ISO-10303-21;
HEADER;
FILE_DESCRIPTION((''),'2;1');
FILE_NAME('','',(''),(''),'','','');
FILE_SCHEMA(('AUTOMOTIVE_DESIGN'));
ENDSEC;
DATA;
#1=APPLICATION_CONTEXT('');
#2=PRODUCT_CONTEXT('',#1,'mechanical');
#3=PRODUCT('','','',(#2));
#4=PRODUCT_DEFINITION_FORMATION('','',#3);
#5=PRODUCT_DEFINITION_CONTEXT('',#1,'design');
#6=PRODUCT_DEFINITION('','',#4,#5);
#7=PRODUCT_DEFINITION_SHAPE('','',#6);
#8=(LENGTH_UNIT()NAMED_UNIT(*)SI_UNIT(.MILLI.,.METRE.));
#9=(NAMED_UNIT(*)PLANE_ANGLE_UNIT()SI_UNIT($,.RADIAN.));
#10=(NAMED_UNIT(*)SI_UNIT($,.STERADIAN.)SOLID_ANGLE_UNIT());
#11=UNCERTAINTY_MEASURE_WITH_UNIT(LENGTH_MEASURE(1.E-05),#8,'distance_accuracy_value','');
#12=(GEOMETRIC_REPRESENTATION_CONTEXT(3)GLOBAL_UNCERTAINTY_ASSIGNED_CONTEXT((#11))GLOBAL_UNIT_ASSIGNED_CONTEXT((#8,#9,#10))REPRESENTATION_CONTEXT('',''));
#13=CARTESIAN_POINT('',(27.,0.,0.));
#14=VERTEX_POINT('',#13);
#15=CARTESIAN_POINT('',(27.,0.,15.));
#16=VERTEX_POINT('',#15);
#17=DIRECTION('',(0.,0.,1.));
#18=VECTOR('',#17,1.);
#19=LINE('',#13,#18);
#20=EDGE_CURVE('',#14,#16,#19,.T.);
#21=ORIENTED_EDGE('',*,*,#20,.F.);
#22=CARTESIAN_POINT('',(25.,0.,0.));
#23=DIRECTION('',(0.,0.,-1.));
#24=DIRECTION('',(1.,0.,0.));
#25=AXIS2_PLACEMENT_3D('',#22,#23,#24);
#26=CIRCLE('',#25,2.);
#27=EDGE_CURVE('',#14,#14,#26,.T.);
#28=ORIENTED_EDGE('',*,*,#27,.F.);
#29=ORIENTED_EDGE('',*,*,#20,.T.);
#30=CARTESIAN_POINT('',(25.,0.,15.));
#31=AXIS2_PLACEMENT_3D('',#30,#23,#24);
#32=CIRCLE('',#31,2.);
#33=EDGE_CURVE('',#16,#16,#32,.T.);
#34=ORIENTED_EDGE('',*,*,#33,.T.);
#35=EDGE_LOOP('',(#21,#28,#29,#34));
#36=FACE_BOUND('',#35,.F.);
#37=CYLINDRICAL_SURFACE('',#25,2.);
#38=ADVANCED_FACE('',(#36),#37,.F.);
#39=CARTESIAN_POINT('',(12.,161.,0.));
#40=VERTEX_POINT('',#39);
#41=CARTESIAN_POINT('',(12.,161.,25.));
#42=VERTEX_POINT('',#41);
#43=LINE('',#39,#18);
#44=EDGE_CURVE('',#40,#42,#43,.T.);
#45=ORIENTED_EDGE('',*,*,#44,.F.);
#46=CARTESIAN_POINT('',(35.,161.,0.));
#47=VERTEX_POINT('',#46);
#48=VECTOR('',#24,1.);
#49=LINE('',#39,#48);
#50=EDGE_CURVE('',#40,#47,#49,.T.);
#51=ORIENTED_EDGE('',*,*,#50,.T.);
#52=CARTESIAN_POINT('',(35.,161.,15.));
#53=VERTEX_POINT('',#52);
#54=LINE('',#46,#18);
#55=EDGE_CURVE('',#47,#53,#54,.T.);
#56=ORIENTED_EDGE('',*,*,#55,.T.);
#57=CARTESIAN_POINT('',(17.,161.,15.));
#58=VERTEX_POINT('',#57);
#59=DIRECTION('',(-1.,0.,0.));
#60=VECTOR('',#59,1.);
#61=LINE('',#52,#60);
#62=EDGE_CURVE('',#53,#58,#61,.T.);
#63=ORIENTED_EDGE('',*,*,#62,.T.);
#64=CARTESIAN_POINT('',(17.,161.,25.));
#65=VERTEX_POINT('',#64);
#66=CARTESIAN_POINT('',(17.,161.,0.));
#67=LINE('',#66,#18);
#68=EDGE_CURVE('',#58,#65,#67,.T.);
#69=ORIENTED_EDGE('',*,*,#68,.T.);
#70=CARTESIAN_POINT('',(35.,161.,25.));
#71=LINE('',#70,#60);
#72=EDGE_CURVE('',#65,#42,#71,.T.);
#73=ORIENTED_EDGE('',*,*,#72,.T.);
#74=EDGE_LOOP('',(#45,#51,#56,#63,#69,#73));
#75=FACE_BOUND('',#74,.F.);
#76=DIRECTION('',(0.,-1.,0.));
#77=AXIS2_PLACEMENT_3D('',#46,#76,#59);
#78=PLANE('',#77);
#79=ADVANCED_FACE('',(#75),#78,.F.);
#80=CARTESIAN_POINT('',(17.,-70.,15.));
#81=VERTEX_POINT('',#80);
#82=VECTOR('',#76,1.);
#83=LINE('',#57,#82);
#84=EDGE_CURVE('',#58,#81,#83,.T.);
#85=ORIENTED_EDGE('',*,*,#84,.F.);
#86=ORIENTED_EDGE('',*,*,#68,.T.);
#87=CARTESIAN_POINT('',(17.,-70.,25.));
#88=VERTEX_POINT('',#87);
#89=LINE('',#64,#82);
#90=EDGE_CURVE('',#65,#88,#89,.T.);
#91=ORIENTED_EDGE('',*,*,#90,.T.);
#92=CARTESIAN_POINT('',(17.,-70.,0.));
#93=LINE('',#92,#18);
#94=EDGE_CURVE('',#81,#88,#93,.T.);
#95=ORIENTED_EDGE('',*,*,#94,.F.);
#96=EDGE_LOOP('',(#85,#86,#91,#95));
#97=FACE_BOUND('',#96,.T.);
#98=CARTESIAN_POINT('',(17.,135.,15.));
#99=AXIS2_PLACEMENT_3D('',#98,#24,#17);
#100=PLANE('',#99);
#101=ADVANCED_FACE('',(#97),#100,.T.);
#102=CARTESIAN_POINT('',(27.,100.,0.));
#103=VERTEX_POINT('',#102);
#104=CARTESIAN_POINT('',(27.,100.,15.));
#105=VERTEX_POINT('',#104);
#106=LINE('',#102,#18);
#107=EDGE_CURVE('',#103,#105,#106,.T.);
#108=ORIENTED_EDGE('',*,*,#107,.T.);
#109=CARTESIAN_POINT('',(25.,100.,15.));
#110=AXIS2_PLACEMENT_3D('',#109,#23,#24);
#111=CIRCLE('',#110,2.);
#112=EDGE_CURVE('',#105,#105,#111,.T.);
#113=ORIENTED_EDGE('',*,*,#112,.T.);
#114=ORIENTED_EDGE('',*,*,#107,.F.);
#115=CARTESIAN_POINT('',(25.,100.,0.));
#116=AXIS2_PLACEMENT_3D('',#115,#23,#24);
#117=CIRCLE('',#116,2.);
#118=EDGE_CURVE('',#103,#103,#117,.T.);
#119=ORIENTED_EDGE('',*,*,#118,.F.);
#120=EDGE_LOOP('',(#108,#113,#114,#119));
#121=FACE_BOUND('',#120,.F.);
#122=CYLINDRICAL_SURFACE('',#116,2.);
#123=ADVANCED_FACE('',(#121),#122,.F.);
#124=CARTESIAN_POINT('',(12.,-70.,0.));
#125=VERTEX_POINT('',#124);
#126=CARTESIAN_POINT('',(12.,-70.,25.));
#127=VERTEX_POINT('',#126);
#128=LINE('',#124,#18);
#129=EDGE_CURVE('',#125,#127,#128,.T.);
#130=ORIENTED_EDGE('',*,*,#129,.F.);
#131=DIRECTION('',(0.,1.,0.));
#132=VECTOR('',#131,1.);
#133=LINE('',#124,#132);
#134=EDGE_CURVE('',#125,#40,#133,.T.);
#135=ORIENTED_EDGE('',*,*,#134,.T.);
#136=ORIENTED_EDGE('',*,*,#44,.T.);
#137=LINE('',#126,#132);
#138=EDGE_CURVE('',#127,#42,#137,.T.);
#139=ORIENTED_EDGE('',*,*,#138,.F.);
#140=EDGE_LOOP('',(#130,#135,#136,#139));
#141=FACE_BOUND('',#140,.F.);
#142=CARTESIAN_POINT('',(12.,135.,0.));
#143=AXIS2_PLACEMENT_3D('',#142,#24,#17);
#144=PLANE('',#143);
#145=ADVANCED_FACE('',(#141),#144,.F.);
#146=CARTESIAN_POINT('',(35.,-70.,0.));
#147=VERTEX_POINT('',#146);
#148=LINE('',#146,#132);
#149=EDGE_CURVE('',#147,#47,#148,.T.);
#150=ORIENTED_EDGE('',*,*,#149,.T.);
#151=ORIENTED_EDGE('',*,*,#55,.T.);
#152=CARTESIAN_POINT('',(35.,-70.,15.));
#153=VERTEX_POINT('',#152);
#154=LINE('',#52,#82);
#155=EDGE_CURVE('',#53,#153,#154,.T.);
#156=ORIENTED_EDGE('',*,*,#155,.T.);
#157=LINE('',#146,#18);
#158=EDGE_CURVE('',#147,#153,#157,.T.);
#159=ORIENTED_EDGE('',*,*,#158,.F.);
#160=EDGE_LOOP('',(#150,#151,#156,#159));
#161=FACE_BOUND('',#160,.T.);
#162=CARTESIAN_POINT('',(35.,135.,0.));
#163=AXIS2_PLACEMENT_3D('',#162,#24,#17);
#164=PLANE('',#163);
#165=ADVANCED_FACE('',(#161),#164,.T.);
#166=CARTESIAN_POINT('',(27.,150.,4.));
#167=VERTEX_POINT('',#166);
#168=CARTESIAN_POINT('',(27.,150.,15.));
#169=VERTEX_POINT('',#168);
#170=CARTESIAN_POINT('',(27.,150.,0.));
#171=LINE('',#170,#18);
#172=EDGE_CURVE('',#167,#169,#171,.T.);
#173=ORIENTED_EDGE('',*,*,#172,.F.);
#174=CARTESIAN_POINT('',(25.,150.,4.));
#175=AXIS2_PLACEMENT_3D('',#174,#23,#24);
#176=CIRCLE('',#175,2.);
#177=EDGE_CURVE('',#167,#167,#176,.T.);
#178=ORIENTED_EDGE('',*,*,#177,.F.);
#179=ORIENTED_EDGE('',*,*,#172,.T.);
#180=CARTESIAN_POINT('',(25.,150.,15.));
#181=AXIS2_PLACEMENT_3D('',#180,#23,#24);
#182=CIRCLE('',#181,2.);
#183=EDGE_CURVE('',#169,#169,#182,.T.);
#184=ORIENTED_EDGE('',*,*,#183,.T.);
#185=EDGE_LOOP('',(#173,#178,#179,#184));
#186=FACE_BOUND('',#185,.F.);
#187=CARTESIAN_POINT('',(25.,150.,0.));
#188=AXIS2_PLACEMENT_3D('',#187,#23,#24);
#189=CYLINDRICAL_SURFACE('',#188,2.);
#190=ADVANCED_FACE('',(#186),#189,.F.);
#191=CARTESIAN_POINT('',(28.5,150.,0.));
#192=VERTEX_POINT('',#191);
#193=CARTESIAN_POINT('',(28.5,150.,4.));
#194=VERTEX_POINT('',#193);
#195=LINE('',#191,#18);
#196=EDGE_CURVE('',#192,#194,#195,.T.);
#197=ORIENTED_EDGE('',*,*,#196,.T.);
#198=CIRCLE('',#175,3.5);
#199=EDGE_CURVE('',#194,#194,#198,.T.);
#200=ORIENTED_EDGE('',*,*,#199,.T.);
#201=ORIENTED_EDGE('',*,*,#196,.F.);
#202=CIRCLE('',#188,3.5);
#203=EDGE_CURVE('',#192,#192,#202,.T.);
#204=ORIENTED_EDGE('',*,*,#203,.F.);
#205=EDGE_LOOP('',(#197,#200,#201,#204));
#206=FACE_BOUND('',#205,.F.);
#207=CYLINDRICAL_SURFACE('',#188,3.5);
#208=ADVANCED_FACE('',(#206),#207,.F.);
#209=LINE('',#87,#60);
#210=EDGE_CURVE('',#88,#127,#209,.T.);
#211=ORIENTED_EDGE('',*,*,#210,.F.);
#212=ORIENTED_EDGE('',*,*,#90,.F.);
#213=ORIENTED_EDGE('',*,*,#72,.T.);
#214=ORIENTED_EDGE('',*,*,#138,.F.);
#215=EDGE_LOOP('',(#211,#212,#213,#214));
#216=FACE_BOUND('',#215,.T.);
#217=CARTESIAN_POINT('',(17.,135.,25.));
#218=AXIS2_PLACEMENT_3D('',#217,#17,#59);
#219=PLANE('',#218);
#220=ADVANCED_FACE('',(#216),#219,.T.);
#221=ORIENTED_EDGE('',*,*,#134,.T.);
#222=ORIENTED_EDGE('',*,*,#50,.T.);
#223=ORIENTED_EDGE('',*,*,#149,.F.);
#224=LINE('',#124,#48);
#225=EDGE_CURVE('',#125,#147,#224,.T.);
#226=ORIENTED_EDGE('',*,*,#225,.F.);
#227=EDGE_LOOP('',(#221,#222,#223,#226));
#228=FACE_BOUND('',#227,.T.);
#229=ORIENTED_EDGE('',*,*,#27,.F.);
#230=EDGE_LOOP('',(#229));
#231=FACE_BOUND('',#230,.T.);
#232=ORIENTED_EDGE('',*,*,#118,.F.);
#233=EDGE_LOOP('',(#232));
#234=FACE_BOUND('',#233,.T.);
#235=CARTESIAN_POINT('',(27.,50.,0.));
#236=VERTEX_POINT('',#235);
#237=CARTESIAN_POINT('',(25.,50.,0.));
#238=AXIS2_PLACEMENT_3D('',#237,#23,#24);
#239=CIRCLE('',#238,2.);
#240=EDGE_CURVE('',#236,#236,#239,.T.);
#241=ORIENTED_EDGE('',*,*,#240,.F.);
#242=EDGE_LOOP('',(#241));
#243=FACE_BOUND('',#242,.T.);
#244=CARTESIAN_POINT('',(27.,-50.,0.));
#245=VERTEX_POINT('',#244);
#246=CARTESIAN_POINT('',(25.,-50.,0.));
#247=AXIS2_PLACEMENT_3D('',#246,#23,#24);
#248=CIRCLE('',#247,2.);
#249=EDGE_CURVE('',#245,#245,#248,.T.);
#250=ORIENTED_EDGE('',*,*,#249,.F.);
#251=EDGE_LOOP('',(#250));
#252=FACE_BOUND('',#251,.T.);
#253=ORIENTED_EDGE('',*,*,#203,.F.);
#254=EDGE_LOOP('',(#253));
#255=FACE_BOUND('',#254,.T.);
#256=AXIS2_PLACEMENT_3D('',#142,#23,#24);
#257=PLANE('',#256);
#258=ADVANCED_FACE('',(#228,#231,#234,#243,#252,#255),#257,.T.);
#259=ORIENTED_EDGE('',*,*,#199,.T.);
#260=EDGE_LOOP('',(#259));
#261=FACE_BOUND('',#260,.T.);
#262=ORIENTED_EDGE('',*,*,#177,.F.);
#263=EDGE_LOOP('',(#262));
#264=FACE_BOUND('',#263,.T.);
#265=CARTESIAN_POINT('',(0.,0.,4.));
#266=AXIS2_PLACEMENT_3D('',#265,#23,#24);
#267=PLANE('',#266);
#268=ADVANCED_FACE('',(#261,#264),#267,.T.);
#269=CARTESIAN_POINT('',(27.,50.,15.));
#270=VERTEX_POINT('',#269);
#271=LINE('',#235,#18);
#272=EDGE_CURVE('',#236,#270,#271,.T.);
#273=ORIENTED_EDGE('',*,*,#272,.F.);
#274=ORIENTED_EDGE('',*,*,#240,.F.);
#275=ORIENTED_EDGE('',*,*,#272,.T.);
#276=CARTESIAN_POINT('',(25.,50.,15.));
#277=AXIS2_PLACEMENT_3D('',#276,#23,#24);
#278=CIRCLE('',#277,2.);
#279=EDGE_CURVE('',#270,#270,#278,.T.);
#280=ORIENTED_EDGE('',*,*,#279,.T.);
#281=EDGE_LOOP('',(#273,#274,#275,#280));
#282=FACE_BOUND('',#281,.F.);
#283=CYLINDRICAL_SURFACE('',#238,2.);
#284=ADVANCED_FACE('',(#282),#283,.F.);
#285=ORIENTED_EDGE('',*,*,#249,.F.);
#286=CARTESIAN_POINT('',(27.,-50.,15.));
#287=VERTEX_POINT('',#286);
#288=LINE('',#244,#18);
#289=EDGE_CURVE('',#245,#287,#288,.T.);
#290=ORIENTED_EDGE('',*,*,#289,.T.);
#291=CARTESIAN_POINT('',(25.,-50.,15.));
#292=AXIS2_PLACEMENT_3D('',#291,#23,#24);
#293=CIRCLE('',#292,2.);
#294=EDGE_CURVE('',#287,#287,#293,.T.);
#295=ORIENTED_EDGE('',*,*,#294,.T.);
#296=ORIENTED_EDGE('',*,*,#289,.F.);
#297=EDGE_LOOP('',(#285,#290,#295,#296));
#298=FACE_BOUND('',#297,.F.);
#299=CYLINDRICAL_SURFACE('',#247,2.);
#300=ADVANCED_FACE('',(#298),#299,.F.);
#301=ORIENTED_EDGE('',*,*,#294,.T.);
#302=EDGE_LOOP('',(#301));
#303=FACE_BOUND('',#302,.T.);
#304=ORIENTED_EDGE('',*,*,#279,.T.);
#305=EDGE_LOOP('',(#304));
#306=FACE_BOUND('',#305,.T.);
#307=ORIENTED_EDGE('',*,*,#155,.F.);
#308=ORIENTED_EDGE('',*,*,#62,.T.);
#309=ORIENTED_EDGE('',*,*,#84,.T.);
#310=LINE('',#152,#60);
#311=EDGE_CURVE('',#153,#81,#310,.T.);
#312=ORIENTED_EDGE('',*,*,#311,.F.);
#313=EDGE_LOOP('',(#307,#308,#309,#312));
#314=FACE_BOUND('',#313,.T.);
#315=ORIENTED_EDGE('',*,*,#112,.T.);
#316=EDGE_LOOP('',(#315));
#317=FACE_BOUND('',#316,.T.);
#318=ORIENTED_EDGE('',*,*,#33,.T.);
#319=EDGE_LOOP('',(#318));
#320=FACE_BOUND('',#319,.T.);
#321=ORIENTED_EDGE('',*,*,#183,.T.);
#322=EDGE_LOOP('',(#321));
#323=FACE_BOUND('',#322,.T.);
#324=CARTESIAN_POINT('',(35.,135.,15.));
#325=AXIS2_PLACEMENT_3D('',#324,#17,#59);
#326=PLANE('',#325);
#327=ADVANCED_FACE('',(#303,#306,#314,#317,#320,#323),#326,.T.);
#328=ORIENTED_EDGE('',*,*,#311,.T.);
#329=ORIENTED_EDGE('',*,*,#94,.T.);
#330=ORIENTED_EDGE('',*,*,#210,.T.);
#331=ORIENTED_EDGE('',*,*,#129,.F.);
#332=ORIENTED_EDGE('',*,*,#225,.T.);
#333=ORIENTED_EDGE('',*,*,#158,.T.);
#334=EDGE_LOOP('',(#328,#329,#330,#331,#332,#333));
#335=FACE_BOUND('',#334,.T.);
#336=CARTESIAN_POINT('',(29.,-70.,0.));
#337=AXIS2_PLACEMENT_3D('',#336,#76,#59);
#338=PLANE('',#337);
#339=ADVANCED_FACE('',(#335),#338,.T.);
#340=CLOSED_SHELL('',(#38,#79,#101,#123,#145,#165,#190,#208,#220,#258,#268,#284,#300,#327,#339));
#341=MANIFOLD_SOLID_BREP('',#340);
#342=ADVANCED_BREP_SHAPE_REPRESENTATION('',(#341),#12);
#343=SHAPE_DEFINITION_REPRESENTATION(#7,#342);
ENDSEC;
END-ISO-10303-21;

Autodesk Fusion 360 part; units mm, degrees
sketch "Szkic1" plane through (0, 0, 0) normal (0, 0, 1) x (1, 0, 0)
  line L0 (29, -110) -> (29, -70)
  line L1 (-10, -75) -> (10, -75)
  line L2 (10, -75) -> (10, -98.8)
  line L3 (-45, -110) -> (29, -110)
  circle A0 centre (15, -80) radius 3.5
  circle A1 centre (15, -100) radius 3.5
  line L4 (-10, -98.8) -> (-10, -75)
  line L5 (10, -98.8) -> (-10, -98.8)
  circle A2 centre (-20, -100) radius 3.5
  circle A3 centre (-20, -80) radius 3.5
  line L6 (29, -70) -> (35, -70)
  line L7 (35, -70) -> (35, 160)
  circle A4 centre (25, -50) radius 1.75
  circle A5 centre (25, 0) radius 1.75
  circle A6 centre (25, 50) radius 1.75
  circle A7 centre (25, 100) radius 1.75
  line L8 (35, 160) -> (-45, 160)
  circle A8 centre (25, 150) radius 1.75
  circle A9 centre (-25, 150) radius 1.75
  line L9 (35, 160) -> (35, 135)
  line L10 (35, 135) -> (-45, 135)
  line L11 (-45, 135) -> (-45, 160)
  line L12 (-45, 160) -> (35, 160)
  line L13 (35, 135) -> (35, -70)
  line L14 (35, -70) -> (17, -70)
  line L15 (17, -70) -> (17, 135)
  line L16 (17, 135) -> (35, 135)
  line L17 (17, 135) -> (17, -70)
  line L18 (17, -70) -> (12, -70)
  line L19 (12, -70) -> (12, 135)
  line L20 (12, 135) -> (17, 135)
  dimension "d1" = 25
  dimension "d2" = 18
  dimension "d3" = 5
extrude "Wyciągnięcie proste1" add sketch "Szkic1" along normal blind 15 contours L6 L7 L10 L13 L14 L15 L16 L17
extrude "Wyciągnięcie proste2" add sketch "Szkic1" along normal blind 25 contours L10 L15 L17 L18 L19 L20
extrude "Wyciągnięcie proste3" add 1 faces at (21.3333, 135, 5) along direction (0, 1, 0) blind 26
extrude "Wyciągnięcie proste4" cut sketch "Szkic1" along normal blind 27 contours A8
sketch "Szkic2" plane through (0, 0, 0) normal (0, 0, -1) x (1, 0, 0)
  circle A0 centre (25, -150) radius 1.75
  circle A1 centre (25, -50) radius 1.75
  circle A2 centre (25, -100) radius 1.75
  circle A3 centre (25, 0) radius 1.75
  circle A4 centre (25, 50) radius 1.75
  line L0 (35, -161) -> (35, 70)
  line L1 (35, 70) -> (12, 70)
  line L2 (12, 70) -> (12, -161)
  line L3 (12, -161) -> (35, -161)
  circle A5 centre (25, -150) radius 3.5
  circle A6 centre (25, -100) radius 2
  circle A7 centre (25, -50) radius 2
  circle A8 centre (25, 0) radius 2
  circle A9 centre (25, 50) radius 2
  dimension "d12" = 7
  dimension "d13" = 4
  dimension "d14" = 4
  dimension "d15" = 4
  dimension "d16" = 4
extrude "Wyciągnięcie proste5" cut sketch "Szkic2" against normal blind 100 contours A6 | A7 | A8 | A9
extrude "Wyciągnięcie proste6" cut sketch "Szkic2" against normal blind 4 contours A5
sketch "Szkic3" plane through (0, 0, 0) normal (0, 0, -1) x (1, 0, 0)
  circle A0 centre (25, -150) radius 2
  dimension "d21" = 4
extrude "Wyciągnięcie proste7" cut sketch "Szkic3" against normal blind 100
